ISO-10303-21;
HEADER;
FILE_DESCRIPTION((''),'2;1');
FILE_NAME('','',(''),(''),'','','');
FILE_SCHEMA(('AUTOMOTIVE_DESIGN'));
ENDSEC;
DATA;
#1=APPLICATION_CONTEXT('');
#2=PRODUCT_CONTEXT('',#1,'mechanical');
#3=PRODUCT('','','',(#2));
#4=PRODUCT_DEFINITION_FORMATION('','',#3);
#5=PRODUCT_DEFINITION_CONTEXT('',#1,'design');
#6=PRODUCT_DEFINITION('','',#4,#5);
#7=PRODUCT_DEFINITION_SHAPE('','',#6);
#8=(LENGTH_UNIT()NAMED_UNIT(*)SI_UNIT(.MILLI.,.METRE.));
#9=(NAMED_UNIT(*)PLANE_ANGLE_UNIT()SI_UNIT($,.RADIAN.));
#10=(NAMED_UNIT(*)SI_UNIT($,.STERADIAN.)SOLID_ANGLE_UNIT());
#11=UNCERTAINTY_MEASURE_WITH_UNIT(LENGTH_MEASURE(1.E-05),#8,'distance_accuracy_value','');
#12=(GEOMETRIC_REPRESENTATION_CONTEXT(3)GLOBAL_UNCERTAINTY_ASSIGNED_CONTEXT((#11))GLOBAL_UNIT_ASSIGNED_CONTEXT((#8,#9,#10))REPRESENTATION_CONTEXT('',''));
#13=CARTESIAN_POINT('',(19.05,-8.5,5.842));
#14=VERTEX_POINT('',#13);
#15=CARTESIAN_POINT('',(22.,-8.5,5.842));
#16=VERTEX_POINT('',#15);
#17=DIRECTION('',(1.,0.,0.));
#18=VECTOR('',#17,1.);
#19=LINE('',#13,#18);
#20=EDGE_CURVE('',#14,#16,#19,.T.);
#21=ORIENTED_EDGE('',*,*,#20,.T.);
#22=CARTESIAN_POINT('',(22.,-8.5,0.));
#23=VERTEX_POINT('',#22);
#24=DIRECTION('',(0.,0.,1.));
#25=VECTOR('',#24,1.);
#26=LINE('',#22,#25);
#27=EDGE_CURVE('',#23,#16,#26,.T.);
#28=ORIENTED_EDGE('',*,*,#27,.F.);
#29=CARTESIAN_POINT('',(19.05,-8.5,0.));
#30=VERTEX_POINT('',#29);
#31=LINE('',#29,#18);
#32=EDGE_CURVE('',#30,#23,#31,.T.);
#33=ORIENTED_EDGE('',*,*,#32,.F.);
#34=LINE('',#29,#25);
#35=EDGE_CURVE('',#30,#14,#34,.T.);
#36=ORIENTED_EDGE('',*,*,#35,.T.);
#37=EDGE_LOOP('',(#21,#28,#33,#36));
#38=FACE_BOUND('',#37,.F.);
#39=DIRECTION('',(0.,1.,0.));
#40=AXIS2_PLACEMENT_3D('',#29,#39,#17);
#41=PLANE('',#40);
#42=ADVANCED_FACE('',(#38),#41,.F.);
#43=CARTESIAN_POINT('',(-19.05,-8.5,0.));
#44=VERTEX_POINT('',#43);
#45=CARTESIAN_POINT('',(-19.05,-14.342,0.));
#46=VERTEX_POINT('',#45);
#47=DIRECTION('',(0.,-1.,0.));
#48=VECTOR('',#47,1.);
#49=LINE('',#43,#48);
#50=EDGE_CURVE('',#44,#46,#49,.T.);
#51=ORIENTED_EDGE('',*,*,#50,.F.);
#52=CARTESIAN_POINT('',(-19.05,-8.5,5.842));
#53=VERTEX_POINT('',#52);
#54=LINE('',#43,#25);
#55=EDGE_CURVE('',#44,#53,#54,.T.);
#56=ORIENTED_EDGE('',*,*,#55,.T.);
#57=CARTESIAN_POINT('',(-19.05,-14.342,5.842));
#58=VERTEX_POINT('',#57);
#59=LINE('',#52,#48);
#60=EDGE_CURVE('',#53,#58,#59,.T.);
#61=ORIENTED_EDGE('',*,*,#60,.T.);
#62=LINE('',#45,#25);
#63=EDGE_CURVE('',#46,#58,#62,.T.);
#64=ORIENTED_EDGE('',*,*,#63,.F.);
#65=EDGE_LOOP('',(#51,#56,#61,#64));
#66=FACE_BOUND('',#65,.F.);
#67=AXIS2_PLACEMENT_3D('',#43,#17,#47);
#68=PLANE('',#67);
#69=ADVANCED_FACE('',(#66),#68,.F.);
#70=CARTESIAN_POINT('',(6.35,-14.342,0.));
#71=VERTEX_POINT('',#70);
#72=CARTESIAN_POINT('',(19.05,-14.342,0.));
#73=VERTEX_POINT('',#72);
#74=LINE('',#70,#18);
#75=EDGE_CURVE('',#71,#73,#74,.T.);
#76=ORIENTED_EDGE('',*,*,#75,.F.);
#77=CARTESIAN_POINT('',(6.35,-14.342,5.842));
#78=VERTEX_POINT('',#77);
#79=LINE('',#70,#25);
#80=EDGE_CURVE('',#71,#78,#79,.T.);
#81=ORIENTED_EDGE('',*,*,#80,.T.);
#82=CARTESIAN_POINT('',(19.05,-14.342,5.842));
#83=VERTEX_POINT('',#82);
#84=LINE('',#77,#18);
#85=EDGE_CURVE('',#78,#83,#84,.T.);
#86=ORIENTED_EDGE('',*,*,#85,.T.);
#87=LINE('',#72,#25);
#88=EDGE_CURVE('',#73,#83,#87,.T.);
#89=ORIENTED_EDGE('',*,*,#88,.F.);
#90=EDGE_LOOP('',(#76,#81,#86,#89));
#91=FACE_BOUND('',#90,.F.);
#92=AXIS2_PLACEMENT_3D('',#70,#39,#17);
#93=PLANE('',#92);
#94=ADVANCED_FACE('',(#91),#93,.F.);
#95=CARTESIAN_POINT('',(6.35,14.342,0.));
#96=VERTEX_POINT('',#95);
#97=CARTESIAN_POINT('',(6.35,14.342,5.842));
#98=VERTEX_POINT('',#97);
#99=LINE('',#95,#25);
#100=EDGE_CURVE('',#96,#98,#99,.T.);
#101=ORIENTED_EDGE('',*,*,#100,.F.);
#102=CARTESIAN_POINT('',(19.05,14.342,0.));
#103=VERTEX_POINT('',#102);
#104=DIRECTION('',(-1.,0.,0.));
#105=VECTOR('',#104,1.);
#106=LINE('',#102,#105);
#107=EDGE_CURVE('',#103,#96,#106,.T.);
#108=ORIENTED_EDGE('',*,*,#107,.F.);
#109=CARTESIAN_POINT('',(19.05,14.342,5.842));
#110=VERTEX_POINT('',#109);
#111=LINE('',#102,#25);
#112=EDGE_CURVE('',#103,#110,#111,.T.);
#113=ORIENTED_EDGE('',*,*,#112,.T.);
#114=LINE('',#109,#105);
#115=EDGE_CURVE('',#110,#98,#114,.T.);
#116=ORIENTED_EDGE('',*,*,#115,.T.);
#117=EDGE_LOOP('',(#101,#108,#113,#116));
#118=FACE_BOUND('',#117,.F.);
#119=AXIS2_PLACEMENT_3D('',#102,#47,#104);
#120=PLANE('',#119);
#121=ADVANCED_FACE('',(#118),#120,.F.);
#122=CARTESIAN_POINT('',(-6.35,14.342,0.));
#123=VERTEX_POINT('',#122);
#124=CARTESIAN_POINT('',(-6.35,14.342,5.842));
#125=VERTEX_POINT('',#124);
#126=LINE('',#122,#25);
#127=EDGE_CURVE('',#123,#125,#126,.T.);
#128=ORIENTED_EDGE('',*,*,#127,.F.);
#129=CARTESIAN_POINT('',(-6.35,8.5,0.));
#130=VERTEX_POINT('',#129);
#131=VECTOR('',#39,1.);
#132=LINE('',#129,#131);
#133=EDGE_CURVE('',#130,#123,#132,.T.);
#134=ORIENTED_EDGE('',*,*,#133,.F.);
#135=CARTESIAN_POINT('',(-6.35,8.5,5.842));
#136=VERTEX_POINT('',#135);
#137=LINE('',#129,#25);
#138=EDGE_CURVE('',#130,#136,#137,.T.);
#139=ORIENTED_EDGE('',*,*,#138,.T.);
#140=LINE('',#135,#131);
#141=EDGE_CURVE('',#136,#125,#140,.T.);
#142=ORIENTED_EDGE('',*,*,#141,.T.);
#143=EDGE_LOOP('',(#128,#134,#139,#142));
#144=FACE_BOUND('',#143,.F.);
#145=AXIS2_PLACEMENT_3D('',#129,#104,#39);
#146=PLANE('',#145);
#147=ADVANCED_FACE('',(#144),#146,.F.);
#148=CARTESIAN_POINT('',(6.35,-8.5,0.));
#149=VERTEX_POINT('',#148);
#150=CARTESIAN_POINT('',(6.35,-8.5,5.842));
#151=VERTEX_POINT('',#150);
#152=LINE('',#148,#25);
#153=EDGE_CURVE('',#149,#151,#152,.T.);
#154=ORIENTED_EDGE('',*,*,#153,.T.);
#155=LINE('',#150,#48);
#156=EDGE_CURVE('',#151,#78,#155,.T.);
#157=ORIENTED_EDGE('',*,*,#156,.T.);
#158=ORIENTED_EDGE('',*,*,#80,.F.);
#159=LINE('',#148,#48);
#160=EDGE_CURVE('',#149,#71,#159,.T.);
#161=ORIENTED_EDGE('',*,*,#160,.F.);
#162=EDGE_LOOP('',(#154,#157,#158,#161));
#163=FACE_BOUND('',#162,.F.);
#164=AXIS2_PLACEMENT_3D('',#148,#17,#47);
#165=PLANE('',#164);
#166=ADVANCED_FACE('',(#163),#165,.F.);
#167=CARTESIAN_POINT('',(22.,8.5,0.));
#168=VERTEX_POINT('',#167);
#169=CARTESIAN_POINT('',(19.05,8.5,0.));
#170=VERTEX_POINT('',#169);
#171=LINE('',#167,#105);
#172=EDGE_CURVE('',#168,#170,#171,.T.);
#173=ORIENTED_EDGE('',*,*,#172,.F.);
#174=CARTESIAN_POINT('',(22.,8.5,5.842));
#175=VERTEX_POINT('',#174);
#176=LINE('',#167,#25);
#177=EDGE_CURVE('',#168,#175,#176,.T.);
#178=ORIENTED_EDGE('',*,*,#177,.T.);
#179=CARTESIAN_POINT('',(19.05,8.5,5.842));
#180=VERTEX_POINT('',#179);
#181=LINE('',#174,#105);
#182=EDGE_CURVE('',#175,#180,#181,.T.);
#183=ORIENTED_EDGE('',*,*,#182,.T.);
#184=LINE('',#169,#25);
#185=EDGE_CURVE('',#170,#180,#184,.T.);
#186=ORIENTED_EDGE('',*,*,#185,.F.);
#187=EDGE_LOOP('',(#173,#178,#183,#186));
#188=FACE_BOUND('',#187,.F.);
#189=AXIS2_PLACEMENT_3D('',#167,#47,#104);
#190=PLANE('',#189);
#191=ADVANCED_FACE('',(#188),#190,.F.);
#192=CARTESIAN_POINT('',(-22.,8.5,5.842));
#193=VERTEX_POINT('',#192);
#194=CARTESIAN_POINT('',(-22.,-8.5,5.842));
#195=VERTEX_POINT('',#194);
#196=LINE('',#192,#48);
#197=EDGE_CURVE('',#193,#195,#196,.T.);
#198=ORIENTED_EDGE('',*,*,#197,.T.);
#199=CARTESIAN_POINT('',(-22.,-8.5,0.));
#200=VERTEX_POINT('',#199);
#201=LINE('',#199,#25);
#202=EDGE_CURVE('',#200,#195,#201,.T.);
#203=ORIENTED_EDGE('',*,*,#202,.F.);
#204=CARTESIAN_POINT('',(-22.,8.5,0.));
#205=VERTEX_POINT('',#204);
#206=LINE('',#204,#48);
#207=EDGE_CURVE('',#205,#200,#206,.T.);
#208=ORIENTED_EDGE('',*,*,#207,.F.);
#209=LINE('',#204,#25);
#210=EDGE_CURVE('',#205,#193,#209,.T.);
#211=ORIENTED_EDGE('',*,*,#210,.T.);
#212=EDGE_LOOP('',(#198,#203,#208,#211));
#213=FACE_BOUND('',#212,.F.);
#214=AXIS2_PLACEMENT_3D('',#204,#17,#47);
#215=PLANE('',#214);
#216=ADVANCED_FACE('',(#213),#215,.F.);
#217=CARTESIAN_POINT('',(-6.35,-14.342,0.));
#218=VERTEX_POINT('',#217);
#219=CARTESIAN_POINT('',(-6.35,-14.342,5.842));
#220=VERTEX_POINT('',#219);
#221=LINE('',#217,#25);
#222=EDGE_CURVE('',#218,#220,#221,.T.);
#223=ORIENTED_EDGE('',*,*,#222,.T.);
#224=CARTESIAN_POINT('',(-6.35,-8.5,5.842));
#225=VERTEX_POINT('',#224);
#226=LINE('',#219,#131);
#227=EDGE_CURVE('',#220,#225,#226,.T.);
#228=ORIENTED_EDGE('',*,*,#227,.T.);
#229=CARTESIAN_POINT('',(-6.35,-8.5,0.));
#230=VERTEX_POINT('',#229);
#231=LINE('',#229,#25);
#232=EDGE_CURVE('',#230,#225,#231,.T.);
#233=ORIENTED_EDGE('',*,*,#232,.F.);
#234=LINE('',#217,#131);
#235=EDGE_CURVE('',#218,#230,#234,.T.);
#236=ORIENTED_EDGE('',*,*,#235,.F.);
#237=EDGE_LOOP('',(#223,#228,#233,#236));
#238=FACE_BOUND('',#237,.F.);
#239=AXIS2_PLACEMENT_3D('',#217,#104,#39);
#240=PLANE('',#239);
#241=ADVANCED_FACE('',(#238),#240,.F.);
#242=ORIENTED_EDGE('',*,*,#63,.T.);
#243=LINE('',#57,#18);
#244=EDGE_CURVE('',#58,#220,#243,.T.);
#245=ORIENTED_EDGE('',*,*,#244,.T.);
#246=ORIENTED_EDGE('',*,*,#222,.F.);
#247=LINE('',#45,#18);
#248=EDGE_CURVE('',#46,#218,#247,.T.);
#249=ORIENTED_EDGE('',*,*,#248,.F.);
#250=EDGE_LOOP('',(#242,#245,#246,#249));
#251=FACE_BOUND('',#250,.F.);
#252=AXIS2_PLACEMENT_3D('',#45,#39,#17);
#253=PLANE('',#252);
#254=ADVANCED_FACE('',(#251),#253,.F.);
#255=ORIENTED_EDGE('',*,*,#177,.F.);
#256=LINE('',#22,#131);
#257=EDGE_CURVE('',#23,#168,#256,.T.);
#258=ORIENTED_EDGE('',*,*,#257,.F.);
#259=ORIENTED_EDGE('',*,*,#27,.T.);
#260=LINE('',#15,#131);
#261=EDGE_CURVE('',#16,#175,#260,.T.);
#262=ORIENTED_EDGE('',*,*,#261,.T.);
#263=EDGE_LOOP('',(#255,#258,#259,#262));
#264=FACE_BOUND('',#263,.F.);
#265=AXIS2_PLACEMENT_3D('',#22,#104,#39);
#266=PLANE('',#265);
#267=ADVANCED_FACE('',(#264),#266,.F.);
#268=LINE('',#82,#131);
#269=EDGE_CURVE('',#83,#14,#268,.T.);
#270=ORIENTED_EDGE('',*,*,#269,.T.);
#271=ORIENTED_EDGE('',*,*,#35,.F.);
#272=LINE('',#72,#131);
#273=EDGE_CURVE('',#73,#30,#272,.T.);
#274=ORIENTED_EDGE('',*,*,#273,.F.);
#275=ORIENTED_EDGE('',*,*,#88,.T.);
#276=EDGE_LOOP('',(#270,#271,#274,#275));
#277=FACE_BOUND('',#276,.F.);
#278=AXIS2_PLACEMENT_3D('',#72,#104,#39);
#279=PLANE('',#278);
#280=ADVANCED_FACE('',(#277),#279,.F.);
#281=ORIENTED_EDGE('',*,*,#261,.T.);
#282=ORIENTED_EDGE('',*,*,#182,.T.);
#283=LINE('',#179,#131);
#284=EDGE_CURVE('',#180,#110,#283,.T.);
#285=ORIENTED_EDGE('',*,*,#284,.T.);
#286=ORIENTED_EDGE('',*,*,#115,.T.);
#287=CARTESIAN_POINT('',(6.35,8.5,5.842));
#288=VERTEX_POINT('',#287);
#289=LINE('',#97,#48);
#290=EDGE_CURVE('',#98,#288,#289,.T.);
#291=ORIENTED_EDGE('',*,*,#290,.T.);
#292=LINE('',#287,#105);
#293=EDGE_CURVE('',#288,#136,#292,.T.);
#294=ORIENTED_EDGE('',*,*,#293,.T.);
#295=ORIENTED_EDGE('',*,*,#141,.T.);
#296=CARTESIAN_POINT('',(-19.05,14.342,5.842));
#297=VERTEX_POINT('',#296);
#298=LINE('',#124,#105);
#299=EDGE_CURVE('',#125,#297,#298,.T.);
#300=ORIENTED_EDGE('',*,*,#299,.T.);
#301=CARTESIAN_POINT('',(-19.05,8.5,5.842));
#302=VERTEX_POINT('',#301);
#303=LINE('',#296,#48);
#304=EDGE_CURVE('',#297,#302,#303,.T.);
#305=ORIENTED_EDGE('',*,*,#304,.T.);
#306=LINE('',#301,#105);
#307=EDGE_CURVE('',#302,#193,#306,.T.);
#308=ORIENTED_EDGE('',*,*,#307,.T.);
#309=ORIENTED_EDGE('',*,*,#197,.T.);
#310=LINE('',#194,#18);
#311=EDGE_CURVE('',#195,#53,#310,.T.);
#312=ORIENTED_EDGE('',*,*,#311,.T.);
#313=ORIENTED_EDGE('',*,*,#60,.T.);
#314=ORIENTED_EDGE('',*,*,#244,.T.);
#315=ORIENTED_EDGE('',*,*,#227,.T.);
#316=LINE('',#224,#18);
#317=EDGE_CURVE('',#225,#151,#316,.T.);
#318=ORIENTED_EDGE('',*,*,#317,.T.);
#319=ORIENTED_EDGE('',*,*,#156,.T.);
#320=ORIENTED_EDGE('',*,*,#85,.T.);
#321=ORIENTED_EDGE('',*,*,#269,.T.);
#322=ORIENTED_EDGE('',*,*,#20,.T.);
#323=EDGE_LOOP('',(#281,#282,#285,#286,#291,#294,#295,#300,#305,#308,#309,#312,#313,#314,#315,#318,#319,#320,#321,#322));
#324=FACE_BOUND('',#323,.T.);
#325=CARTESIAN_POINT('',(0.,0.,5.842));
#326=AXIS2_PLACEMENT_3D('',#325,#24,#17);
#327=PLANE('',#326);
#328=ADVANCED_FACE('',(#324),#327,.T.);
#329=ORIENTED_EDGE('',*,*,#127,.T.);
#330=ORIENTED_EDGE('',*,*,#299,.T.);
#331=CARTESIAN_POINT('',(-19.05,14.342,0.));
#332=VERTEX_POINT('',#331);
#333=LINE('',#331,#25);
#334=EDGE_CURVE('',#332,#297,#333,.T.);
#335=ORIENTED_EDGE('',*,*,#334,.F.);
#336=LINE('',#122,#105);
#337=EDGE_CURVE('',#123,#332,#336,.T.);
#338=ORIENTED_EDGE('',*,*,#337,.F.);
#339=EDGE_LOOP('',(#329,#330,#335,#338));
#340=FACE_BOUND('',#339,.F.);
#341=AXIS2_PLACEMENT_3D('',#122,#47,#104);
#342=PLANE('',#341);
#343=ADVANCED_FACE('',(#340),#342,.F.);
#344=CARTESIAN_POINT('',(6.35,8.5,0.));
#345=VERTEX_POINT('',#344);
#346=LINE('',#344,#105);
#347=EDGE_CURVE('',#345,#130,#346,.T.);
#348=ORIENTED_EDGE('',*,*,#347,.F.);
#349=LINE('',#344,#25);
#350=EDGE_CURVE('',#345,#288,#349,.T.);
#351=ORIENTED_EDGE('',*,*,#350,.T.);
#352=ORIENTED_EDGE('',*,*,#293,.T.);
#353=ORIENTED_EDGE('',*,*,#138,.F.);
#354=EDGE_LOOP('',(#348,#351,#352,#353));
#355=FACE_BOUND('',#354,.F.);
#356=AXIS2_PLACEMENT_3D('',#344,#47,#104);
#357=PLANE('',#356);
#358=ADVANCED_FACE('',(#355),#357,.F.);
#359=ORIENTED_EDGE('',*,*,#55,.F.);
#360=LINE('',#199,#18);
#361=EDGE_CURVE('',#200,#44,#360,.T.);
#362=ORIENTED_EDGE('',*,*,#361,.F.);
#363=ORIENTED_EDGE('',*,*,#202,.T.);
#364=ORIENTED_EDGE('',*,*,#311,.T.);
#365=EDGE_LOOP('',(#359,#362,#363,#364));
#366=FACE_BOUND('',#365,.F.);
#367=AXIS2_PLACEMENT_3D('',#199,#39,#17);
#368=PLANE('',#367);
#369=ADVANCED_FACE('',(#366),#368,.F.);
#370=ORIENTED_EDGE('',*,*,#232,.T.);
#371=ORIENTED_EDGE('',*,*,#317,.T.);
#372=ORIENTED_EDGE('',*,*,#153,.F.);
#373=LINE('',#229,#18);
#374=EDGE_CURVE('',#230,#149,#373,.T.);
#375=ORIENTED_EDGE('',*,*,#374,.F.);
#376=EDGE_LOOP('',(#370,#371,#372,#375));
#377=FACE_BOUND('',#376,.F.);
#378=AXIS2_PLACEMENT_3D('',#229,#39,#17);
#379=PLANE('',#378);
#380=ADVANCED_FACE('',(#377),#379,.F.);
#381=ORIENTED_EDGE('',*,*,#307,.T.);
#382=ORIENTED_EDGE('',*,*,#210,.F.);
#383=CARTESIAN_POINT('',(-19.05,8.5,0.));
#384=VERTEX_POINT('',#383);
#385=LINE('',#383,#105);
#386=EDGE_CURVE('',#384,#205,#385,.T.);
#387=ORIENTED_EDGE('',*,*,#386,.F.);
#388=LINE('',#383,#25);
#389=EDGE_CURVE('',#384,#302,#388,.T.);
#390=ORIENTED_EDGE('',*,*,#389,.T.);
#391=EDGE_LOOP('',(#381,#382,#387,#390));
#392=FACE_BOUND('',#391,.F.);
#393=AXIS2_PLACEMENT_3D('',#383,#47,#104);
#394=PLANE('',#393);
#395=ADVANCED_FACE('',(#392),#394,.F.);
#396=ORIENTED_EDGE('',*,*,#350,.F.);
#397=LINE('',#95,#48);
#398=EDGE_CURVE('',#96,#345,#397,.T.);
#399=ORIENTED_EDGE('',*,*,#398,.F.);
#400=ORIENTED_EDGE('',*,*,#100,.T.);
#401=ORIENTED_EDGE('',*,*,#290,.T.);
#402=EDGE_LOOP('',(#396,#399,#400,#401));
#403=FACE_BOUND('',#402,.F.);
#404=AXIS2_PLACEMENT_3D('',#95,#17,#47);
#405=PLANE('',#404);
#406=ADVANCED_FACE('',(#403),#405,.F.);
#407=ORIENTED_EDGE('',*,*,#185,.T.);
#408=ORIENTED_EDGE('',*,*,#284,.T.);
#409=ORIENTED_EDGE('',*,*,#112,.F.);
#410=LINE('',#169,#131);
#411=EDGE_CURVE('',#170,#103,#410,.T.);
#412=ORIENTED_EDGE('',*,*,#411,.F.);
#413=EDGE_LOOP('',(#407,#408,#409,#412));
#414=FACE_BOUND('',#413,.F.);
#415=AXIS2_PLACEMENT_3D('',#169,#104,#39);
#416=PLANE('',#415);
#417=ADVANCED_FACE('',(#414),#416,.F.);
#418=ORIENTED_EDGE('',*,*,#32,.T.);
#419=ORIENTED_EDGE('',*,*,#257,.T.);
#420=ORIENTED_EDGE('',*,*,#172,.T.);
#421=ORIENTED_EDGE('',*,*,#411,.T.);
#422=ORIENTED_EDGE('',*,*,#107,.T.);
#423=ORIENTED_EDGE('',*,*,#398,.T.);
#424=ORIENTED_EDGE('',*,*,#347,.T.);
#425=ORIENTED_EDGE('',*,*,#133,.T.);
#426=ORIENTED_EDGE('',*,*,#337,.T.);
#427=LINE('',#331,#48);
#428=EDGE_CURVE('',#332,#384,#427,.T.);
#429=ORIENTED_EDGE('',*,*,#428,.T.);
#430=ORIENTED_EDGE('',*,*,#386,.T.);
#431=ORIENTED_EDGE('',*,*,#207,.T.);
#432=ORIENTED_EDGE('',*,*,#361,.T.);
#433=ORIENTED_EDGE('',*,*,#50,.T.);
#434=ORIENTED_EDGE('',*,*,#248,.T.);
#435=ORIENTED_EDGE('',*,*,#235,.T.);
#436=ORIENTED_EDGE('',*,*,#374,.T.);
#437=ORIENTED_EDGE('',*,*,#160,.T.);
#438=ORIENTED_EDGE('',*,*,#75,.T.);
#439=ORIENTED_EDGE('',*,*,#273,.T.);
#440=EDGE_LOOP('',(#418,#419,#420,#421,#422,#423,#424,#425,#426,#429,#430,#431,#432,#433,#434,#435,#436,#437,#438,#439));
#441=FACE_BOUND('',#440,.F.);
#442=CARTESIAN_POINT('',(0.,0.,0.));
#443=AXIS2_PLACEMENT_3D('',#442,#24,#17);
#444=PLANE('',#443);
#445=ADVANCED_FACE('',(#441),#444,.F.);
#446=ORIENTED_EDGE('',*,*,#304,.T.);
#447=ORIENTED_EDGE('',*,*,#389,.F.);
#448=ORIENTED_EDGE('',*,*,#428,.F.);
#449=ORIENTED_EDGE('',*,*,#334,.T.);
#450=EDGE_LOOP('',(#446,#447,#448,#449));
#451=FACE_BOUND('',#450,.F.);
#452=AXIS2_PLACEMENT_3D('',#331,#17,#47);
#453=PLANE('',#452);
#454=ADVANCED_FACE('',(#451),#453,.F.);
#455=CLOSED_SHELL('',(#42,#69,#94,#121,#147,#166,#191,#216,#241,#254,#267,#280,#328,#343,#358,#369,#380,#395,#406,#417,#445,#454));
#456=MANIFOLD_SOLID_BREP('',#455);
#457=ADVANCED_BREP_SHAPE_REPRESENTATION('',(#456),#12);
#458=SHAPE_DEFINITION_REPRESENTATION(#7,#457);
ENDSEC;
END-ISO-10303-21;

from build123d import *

# Parameters (mm, degrees)
F1_DEPTH = 5.842


with BuildPart() as f1:
    # F0 (on Top) → F1 (new body)
    with BuildSketch(Plane.XY):
        Polygon((-19.05, 8.5), (-22, 8.5), (-22, -8.5), (-19.05, -8.5), (-19.05, -14.342), (-6.35, -14.342), (-6.35, -8.5), (6.35, -8.5), (6.35, -14.342), (19.05, -14.342), (19.05, -8.5), (22, -8.5), (22, 8.5), (19.05, 8.5), (19.05, 14.342), (6.35, 14.342), (6.35, 8.5), (0, 8.5), (-6.35, 8.5), (-6.35, 14.342), (-19.05, 14.342), align=None)
    extrude(amount=F1_DEPTH)


solid = f1.part
